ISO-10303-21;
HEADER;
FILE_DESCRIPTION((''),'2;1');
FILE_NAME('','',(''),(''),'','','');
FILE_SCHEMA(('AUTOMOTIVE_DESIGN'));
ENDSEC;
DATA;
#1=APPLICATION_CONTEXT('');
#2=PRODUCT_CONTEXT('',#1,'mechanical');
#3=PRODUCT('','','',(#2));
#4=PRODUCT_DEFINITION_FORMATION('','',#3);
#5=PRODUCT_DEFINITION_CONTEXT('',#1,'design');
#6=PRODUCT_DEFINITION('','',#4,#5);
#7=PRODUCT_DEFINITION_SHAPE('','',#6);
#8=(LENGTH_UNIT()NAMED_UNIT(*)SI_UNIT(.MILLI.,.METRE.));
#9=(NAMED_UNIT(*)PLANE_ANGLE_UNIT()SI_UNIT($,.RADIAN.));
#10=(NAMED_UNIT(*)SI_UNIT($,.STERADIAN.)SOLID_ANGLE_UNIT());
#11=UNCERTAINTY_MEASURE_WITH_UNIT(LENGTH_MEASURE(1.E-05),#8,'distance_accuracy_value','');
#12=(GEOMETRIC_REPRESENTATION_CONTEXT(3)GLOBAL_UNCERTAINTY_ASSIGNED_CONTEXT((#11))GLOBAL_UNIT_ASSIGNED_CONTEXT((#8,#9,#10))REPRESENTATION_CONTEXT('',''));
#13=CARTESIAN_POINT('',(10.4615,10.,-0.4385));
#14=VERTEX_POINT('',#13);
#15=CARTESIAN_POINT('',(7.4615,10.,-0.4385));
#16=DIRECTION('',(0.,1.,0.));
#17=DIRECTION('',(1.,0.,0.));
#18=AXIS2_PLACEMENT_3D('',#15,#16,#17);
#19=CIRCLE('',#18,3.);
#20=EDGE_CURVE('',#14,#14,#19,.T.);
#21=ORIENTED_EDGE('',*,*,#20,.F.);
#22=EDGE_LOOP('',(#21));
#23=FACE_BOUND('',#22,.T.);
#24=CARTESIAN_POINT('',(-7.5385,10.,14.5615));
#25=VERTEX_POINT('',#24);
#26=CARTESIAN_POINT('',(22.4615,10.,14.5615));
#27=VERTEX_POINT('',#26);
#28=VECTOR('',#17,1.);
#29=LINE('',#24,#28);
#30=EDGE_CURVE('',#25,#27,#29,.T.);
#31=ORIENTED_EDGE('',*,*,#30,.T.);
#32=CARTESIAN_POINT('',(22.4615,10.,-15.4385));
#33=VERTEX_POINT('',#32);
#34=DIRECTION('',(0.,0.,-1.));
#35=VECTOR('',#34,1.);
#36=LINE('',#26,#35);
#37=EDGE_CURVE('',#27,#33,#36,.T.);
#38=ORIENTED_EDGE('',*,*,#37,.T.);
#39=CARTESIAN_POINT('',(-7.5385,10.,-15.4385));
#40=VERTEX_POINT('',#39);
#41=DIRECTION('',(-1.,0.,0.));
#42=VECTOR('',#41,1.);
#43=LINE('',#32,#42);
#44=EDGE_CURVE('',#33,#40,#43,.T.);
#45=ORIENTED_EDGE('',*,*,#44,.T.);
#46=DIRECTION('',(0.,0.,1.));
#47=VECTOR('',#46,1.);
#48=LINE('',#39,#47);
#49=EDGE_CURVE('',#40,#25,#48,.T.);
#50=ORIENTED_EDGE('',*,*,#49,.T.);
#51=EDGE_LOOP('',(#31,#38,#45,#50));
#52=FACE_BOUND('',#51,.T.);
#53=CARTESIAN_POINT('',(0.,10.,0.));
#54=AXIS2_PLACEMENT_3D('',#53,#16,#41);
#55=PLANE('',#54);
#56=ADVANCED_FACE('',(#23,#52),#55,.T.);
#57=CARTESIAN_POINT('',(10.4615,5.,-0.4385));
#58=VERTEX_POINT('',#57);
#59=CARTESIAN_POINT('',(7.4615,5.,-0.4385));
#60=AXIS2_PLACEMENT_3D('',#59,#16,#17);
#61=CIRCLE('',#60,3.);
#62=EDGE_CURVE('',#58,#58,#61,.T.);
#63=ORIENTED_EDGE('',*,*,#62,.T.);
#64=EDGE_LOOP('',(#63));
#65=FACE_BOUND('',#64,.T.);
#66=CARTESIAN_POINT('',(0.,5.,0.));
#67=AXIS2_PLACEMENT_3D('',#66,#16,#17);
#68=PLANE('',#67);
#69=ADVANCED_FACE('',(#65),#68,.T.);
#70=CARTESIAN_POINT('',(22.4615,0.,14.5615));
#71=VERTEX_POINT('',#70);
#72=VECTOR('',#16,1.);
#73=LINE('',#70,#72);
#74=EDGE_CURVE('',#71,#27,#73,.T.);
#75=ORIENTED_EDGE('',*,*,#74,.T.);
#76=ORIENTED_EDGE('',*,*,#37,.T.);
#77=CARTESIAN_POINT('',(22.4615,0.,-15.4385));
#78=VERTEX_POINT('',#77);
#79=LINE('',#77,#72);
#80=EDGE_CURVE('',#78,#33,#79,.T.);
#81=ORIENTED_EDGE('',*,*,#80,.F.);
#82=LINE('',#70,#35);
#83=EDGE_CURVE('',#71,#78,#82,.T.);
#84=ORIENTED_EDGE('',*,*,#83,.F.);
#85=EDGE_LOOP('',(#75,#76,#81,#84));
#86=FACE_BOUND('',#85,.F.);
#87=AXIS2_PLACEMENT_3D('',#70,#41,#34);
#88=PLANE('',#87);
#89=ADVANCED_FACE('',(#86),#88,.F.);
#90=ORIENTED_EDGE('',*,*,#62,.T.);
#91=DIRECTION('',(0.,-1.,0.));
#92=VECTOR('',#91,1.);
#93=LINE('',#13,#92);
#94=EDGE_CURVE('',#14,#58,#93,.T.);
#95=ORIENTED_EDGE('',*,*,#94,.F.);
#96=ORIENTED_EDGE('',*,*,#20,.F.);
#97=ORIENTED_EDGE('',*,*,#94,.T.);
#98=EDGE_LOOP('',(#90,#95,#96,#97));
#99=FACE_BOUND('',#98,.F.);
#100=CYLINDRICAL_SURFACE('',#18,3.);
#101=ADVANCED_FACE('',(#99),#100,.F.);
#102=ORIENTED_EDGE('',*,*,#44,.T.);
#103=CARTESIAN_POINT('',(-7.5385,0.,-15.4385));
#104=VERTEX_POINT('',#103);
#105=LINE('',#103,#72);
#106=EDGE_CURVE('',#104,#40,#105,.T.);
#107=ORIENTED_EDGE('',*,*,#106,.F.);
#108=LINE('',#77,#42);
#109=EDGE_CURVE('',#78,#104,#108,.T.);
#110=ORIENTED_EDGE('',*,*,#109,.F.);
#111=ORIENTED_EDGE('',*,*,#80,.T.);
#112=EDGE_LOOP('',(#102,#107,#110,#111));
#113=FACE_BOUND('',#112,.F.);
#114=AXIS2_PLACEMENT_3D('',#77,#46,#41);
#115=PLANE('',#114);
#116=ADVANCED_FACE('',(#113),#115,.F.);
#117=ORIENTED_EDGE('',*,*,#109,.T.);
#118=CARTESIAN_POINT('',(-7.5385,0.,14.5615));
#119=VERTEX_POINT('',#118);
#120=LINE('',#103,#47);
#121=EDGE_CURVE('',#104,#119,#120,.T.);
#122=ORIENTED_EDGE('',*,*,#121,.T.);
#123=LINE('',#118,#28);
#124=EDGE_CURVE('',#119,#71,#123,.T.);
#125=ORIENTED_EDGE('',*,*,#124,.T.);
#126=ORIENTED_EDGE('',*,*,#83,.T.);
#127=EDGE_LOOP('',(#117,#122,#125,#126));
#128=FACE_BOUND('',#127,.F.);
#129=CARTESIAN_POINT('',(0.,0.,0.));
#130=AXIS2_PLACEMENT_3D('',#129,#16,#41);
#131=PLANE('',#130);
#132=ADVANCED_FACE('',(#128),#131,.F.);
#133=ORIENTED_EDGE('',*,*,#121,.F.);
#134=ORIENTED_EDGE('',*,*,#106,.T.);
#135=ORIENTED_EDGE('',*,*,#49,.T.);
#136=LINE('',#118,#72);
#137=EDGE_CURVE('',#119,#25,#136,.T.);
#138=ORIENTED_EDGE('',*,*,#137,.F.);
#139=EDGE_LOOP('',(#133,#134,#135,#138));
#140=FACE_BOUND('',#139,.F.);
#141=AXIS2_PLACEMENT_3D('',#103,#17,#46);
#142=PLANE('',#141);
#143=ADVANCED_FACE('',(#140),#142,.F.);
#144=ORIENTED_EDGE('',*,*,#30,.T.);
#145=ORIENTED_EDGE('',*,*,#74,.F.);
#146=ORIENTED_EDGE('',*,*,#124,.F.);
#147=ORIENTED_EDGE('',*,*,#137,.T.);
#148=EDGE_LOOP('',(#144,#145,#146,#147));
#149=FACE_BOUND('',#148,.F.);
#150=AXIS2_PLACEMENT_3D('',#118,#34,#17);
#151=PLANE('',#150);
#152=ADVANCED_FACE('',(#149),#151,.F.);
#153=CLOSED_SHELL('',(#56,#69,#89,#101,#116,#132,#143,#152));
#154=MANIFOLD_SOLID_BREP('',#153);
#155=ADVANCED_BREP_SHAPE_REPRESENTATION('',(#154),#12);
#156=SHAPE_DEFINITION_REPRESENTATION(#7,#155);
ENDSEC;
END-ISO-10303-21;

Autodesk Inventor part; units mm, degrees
ref_plane "YZ Plane" through (0, 0, 0) normal (1, 0, 0) x (0, 1, 0)
ref_plane "XZ Plane" through (0, 0, 0) normal (0, 1, 0) x (-1, 0, 0)
ref_plane "XY Plane" through (0, 0, 0) normal (0, 0, 1) x (1, 0, 0)
sketch "Sketch1" plane through (0, 0, 0) normal (0, 1, 0) x (-1, 0, 0)
  line L0 (7.5385, 14.5615) -> (-22.4615, 14.5615)
  line L1 (-22.4615, 14.5615) -> (-22.4615, -15.4385)
  line L2 (-22.4615, -15.4385) -> (7.5385, -15.4385)
  line L3 (7.5385, -15.4385) -> (7.5385, 14.5615)
  point P0 (0, 0)
  dimension "d0" = 30
  dimension "d1" = 30
extrude "Extrusion1" add sketch "Sketch1" along normal blind 10
sketch "Sketch2" plane through (0, 10, 0) normal (0, 1, 0) x (1, 0, 0)
  circle A0 centre (7.4615, 0.4385) radius 3
  line L0 (-7.5385, 15.4385) -> (-7.5385, -14.5615) projected
  line L1 (22.4615, 15.4385) -> (-7.5385, 15.4385) projected
  point P0 (0, 0)
  dimension "d4" = 6
  dimension "d5" = 15
  dimension "d6" = 15
extrude "Extrusion2" cut sketch "Sketch2" against normal blind 5
properties part number "Box" material "Wood (Cherry)"
